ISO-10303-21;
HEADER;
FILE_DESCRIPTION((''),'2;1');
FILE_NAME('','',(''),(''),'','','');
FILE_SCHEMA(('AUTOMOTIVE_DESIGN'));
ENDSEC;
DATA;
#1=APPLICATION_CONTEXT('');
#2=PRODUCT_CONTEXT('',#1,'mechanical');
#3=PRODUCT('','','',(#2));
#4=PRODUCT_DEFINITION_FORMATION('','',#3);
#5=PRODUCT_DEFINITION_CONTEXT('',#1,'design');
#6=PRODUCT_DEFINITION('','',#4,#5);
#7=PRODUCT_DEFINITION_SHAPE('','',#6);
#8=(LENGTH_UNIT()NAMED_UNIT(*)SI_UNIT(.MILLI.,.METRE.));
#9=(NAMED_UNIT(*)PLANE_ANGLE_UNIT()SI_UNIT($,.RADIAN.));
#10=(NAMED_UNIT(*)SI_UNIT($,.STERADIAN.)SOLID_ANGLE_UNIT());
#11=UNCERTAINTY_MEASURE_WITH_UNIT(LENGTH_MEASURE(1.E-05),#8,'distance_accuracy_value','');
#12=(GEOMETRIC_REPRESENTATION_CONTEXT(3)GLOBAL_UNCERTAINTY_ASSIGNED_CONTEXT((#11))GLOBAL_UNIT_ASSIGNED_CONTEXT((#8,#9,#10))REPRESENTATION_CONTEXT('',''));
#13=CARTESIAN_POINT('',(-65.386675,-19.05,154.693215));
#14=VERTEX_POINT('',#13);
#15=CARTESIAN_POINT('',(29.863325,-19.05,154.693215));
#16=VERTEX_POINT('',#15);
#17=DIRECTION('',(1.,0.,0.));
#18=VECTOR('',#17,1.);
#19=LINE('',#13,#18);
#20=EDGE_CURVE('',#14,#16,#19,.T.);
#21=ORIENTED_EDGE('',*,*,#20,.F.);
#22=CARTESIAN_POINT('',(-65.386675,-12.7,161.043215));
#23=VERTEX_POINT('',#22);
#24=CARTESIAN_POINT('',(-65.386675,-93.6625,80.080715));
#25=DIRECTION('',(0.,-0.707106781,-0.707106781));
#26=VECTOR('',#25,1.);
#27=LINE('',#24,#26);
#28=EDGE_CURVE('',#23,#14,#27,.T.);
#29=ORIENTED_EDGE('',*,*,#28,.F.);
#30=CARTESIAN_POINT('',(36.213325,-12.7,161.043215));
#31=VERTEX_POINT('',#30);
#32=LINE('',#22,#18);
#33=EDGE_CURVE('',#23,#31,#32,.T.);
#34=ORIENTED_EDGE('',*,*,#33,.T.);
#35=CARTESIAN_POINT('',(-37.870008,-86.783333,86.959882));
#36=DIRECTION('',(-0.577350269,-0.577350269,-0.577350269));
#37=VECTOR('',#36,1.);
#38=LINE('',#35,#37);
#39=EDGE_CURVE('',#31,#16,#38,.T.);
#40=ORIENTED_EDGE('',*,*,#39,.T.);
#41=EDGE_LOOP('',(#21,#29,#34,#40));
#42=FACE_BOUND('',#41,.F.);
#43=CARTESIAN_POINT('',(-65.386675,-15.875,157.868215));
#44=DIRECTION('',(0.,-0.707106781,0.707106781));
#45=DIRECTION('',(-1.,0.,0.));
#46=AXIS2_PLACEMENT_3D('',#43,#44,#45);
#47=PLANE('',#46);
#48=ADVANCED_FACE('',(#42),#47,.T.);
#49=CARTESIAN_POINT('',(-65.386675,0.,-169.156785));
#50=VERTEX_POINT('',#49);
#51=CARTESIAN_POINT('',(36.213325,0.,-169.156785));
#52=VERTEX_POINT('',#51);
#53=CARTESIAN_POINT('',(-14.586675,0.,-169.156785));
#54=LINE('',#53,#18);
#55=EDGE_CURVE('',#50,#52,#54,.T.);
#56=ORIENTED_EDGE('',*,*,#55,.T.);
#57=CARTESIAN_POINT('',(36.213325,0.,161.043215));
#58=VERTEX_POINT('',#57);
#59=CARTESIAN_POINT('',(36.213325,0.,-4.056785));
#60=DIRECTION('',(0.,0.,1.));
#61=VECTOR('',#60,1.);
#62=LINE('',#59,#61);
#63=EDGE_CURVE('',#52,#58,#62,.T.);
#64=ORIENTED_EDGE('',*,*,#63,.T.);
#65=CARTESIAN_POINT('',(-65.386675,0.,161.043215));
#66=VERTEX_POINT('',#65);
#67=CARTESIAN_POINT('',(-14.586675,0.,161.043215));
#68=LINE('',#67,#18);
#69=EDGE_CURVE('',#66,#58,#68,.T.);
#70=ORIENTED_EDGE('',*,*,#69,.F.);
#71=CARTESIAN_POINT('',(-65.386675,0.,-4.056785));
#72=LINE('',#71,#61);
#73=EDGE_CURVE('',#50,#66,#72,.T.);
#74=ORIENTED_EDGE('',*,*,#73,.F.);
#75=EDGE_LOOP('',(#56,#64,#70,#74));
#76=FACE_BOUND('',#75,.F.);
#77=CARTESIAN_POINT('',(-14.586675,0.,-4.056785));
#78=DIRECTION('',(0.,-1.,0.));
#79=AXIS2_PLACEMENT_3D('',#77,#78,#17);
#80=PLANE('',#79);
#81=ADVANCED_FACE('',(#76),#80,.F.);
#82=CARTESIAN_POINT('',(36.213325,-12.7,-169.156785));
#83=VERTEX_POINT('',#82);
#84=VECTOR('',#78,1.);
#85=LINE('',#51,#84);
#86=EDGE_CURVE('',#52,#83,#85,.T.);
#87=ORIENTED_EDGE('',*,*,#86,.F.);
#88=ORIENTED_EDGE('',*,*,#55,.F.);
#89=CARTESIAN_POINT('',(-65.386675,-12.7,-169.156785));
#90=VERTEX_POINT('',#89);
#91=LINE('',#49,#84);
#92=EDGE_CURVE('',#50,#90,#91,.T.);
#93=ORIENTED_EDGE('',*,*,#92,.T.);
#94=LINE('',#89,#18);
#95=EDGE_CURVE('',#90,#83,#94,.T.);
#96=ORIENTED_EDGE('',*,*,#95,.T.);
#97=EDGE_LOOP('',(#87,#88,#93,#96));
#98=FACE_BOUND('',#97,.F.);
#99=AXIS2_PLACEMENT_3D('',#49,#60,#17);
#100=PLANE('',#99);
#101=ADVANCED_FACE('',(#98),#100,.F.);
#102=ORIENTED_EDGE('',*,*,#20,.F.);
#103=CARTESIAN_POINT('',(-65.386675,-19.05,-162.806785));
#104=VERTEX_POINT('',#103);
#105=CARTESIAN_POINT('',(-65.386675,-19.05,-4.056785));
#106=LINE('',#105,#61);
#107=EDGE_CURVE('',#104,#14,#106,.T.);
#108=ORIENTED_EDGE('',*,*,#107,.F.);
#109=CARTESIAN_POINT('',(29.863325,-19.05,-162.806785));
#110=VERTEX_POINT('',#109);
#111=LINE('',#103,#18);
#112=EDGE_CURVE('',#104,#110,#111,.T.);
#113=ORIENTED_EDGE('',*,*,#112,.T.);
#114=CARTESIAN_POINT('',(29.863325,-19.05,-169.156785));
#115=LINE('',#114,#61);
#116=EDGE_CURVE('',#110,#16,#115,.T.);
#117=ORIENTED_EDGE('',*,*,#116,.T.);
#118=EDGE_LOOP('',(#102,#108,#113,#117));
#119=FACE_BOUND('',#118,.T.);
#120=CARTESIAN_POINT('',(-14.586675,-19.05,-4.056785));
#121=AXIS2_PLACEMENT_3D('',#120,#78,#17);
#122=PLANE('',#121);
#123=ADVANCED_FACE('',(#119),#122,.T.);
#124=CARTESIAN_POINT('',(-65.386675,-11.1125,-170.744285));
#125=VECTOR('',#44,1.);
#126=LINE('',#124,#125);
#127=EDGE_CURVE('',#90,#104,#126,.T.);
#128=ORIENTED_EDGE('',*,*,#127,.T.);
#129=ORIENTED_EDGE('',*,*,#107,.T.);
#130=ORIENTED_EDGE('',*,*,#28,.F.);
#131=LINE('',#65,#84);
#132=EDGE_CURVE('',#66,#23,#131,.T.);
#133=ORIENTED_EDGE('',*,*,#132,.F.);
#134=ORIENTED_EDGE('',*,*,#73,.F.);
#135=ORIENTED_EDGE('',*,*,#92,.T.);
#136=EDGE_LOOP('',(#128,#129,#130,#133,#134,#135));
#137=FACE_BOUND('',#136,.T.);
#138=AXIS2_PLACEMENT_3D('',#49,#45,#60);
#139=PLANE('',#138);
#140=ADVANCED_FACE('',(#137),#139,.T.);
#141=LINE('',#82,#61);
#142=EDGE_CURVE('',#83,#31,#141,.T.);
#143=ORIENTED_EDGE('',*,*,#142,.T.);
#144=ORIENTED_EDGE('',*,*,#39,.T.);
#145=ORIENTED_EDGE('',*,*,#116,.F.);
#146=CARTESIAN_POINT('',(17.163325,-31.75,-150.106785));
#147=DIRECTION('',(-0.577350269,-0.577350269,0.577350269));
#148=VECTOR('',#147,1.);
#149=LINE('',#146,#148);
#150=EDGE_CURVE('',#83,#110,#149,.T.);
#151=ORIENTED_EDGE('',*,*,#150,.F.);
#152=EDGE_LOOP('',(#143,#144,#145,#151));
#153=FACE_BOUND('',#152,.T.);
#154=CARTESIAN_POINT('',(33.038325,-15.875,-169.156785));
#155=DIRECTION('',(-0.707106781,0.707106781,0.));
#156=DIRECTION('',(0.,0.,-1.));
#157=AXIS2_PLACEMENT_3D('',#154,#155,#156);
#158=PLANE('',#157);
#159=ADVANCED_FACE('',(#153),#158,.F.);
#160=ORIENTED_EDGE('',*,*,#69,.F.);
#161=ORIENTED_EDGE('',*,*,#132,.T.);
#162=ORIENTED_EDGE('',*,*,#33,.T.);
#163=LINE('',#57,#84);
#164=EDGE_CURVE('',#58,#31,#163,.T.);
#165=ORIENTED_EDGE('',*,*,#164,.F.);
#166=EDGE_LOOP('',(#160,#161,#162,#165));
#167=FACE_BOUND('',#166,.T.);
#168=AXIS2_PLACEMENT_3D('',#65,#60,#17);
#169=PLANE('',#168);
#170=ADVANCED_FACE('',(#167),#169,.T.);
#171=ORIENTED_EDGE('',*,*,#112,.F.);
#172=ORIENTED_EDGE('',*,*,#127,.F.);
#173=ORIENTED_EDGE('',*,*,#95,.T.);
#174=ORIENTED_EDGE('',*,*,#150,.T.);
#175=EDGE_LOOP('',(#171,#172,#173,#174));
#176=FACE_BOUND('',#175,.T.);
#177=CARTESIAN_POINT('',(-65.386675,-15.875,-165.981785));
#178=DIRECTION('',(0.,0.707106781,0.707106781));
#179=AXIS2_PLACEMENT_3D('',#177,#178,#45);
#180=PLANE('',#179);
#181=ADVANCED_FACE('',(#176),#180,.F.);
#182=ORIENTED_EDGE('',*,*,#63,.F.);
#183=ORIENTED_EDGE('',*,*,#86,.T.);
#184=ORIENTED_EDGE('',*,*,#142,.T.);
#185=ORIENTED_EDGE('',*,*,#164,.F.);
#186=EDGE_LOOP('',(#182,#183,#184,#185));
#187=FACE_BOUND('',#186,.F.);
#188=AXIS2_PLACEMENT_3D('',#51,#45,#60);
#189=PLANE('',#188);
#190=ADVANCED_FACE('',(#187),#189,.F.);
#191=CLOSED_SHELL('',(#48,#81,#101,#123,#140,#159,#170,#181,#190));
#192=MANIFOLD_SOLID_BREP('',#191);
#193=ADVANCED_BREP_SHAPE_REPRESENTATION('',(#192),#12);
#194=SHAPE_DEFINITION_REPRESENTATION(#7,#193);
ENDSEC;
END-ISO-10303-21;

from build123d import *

# Parameters (mm, degrees)
F0_W     = 101.6
F0_H     = 330.2
F1_DEPTH = 19.05
F2_SIZE  = 6.35


with BuildPart() as f1:
    # F0 (on Front) → F1 (new body)
    with BuildSketch(Plane.XZ):
        with Locations((-14.586675, -4.056785)):
            Rectangle(F0_W, F0_H)
    extrude(amount=F1_DEPTH)

    # F2
    f2_edges = [f1.edges().sort_by_distance(p)[0] for p in [
        (-14.586675, -19.05, -169.156785),
        (36.213325, -19.05, -4.056785),
        (-14.586675, -19.05, 161.043215),
    ]]
    chamfer(f2_edges, length=F2_SIZE)


solid = f1.part
